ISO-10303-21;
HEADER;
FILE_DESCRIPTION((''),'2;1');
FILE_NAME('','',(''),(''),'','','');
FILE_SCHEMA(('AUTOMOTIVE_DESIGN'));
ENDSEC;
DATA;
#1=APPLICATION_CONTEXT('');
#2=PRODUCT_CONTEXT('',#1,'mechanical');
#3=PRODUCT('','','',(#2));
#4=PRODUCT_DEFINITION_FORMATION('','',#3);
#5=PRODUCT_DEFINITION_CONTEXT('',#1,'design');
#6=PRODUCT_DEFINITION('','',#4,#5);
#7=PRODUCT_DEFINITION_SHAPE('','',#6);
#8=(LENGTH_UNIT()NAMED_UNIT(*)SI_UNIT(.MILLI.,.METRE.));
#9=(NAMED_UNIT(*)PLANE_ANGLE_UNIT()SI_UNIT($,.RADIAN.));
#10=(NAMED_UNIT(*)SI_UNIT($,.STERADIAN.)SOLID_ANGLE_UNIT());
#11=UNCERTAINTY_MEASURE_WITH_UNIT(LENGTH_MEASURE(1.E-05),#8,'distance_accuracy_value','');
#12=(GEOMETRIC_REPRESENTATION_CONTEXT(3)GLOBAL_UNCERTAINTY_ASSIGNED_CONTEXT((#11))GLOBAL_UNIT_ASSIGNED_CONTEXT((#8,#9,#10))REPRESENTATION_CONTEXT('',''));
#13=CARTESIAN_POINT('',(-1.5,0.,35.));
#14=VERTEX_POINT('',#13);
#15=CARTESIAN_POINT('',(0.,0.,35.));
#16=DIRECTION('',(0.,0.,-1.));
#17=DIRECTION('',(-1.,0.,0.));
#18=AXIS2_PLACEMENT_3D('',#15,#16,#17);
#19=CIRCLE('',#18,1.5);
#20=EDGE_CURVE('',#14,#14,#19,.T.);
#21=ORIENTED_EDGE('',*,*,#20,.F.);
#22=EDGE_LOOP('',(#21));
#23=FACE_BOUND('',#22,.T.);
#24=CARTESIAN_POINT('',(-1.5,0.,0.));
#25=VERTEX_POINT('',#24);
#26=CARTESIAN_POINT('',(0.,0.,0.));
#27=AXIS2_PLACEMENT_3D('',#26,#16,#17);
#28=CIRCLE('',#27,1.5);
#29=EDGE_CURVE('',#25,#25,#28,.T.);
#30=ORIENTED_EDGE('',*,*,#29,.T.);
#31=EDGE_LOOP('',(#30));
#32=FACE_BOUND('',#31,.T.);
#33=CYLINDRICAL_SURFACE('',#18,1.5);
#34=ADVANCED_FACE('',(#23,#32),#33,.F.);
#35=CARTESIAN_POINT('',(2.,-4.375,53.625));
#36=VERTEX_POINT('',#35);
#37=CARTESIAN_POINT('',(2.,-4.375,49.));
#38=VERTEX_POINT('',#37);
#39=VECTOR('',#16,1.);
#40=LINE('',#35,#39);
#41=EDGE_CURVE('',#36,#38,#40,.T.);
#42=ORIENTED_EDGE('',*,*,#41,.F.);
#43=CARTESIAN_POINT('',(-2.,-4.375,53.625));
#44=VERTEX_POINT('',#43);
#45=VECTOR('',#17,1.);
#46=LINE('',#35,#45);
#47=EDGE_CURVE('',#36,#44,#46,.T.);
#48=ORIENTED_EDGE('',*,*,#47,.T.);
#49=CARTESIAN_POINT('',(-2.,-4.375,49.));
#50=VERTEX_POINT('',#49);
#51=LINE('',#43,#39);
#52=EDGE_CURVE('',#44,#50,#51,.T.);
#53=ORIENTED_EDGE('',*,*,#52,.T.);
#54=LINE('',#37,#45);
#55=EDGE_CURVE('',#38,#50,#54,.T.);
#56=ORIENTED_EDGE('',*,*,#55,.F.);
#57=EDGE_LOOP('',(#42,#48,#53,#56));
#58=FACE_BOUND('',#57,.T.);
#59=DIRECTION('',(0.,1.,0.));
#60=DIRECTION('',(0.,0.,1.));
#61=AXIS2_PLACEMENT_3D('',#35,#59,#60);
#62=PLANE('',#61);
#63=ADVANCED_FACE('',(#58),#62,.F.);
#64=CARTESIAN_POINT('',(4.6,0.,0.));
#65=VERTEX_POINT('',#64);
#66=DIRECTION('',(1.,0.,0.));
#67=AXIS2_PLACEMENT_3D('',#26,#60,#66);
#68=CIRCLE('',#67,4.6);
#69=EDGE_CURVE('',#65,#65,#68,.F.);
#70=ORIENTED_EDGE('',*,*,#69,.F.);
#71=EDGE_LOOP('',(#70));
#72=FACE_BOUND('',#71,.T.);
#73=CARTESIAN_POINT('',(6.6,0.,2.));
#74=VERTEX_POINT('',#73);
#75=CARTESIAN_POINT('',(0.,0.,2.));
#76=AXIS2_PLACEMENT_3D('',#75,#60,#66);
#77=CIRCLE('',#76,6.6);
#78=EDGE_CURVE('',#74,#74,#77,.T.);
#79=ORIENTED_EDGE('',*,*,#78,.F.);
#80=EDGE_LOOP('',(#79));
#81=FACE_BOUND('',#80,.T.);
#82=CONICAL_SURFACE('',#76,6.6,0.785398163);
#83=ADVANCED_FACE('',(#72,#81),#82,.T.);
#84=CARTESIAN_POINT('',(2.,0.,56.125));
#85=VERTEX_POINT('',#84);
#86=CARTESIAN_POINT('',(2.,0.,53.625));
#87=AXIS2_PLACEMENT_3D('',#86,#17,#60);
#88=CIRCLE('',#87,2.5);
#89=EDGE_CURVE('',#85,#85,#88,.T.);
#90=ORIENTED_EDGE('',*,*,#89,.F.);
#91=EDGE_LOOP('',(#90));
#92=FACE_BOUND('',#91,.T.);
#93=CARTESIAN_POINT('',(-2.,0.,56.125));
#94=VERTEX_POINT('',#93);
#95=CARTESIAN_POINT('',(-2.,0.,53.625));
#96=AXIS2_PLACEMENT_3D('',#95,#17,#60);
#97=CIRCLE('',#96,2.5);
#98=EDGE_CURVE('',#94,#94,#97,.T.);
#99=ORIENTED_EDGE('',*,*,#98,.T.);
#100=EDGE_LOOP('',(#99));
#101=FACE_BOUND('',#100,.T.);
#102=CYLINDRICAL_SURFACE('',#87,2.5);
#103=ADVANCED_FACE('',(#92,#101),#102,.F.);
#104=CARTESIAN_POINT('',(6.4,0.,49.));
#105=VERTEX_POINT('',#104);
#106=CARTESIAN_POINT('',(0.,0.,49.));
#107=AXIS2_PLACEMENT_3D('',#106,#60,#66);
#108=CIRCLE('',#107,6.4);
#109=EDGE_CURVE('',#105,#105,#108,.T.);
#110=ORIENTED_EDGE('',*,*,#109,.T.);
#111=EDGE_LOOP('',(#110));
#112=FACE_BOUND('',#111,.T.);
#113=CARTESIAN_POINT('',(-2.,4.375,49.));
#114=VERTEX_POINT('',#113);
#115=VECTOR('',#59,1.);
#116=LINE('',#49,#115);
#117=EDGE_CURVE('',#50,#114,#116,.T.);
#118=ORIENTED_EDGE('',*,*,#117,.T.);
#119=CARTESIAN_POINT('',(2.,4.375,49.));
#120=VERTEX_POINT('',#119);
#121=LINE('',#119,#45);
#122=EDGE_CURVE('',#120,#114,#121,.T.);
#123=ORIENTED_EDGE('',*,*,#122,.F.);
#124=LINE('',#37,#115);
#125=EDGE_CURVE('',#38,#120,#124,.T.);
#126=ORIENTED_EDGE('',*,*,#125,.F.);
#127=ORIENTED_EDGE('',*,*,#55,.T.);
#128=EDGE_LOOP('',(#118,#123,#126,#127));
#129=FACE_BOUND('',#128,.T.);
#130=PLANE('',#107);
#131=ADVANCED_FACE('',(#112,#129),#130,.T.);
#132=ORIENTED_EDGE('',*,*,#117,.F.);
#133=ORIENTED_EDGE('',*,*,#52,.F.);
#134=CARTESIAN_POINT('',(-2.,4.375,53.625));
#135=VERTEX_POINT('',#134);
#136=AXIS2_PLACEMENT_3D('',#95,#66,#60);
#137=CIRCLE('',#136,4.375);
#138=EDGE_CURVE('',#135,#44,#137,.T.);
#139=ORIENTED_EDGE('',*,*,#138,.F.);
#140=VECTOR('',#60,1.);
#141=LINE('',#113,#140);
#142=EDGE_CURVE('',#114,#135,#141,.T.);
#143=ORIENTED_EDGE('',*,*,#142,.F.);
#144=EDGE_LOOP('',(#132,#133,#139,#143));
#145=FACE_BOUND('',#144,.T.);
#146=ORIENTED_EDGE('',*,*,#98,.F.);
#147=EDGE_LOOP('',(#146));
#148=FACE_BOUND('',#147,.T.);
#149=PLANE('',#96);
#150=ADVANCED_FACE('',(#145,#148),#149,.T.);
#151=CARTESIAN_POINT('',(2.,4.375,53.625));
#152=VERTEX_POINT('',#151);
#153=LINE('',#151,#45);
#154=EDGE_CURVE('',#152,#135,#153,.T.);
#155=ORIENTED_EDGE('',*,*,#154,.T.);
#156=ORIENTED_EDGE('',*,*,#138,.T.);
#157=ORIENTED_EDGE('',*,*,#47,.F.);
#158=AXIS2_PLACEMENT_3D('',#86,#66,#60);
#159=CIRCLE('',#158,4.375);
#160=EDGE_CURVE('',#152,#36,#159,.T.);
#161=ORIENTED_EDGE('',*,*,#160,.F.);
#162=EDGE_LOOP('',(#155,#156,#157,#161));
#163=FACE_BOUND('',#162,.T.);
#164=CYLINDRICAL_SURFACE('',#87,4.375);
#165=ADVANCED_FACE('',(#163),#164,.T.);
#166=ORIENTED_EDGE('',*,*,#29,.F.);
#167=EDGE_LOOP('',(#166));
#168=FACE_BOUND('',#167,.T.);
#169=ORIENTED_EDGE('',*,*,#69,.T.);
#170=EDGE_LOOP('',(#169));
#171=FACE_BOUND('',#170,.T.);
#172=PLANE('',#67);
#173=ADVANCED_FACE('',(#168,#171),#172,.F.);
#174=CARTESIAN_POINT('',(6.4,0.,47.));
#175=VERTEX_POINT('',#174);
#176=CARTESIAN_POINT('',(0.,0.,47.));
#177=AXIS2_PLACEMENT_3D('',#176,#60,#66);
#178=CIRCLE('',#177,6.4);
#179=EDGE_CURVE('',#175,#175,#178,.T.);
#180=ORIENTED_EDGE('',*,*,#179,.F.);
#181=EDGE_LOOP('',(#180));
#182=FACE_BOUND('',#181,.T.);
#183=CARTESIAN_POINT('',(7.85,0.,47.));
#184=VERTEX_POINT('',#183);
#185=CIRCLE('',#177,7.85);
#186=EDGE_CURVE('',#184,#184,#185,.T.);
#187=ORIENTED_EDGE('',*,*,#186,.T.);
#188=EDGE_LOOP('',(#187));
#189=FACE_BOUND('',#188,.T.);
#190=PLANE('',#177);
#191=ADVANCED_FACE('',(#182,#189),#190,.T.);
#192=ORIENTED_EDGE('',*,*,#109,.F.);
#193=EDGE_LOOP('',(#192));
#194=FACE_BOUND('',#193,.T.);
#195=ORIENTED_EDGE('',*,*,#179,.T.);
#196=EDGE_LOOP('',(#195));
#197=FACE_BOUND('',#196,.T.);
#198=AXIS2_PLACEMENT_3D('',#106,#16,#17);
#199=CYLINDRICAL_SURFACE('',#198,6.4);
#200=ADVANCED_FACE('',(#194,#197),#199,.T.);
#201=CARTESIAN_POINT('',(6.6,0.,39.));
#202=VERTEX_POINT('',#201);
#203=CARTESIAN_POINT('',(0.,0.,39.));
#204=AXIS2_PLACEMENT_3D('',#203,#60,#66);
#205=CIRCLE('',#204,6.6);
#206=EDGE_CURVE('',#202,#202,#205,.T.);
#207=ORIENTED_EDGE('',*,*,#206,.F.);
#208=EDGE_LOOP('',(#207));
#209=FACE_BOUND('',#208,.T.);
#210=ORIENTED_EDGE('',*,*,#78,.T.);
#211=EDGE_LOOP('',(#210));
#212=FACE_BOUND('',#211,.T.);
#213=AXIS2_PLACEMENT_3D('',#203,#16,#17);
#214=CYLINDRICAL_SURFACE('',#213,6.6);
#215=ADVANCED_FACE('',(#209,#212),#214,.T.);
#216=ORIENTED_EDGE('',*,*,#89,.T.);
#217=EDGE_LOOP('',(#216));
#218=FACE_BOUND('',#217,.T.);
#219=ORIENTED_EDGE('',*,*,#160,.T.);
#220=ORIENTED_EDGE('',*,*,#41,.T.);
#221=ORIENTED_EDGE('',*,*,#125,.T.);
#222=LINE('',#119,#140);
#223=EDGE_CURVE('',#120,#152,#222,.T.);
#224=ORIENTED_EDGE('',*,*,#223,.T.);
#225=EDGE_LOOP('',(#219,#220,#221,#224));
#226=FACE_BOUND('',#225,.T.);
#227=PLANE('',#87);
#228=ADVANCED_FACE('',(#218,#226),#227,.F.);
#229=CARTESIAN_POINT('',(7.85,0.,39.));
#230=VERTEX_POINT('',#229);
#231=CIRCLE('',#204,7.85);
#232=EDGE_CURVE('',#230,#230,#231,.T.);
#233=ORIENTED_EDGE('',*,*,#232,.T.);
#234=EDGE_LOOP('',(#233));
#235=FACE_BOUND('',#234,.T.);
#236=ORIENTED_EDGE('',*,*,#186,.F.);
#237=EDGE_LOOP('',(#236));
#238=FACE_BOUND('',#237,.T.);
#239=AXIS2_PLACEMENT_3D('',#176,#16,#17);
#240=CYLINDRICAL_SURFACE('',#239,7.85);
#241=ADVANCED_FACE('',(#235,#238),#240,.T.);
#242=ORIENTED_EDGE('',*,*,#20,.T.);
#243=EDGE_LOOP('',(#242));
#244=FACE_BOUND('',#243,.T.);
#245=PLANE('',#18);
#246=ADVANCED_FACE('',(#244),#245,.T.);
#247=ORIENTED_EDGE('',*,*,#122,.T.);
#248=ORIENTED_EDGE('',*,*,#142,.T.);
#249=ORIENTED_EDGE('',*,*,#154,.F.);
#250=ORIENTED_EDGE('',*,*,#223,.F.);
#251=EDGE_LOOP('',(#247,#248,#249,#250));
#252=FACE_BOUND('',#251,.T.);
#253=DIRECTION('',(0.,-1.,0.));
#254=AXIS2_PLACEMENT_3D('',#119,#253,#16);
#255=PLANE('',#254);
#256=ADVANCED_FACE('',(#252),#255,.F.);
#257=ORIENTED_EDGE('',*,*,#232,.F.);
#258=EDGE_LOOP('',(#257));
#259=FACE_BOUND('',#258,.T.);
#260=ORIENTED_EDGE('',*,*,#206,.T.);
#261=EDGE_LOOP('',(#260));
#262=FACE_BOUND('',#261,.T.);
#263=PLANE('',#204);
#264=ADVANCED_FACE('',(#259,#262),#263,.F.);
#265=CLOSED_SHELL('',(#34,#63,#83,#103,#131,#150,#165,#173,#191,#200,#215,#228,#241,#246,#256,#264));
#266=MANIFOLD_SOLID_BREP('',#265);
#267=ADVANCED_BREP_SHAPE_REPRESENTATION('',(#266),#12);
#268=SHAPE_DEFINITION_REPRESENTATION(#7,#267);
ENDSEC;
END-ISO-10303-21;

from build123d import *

# Parameters (mm, degrees)
SKETCH2_R            = 6.6
EXTERNAL_SHOCK_DEPTH = 39
SHOCK_CHAMFER_SIZE   = 2
SKETCH3_R            = 7.85
CYLINDER_A_DEPTH     = 8
SKETCH4_R            = 6.4
CYLINDER_B_DEPTH     = 2
MOUNTING_BOSS_DEPTH  = 2
SKETCH6_R            = 2.5
MOUNTING_HOLE_DEPTH  = 4
SKETCH7_R            = 1.5
INNER_HOLE_DEPTH     = 35


with BuildPart() as part:
    # Sketch2 → External Shock (new body)
    with BuildSketch(Plane.XY):
        Circle(SKETCH2_R)
    extrude(amount=EXTERNAL_SHOCK_DEPTH)

    # Shock Chamfer
    shock_chamfer_edges = [part.edges().sort_by_distance(p)[0] for p in [
        (-6.6, 0, 0),
    ]]
    chamfer(shock_chamfer_edges, length=SHOCK_CHAMFER_SIZE)

    # Sketch3 → Cylinder A (add)
    with BuildSketch(Plane.XY.offset(39)):
        Circle(SKETCH3_R)
    extrude(amount=CYLINDER_A_DEPTH)

    # Sketch4 → Cylinder B (add)
    with BuildSketch(Plane.XY.offset(47)):
        Circle(SKETCH4_R)
    extrude(amount=CYLINDER_B_DEPTH)

    # Sketch5 → Mounting Boss (add, symmetric)
    with BuildSketch(Plane(origin=(0, 0, 0), x_dir=(0, 0, -1), z_dir=(1, 0, 0))):
        with BuildLine():
            Line((-53.625, -4.375), (-49, -4.375))
            Line((-49, -4.375), (-49, 4.375))
            Line((-49, 4.375), (-53.625, 4.375))
            ThreePointArc((-53.625, 4.375), (-58, 0), (-53.625, -4.375))
        make_face()
    extrude(amount=MOUNTING_BOSS_DEPTH, both=True)

    # Sketch6 → Mounting Hole (cut)
    with BuildSketch(Plane.ZY.offset(2)):
        with Locations((53.625, 0)):
            Circle(SKETCH6_R)
    extrude(amount=-MOUNTING_HOLE_DEPTH, mode=Mode.SUBTRACT)

    # Sketch7 → Inner Hole (cut)
    with BuildSketch(Plane(origin=(0, 0, 0), x_dir=(-1, 0, 0), z_dir=(0, 0, -1))):
        Circle(SKETCH7_R)
    extrude(amount=-INNER_HOLE_DEPTH, mode=Mode.SUBTRACT)


solid = part.part
